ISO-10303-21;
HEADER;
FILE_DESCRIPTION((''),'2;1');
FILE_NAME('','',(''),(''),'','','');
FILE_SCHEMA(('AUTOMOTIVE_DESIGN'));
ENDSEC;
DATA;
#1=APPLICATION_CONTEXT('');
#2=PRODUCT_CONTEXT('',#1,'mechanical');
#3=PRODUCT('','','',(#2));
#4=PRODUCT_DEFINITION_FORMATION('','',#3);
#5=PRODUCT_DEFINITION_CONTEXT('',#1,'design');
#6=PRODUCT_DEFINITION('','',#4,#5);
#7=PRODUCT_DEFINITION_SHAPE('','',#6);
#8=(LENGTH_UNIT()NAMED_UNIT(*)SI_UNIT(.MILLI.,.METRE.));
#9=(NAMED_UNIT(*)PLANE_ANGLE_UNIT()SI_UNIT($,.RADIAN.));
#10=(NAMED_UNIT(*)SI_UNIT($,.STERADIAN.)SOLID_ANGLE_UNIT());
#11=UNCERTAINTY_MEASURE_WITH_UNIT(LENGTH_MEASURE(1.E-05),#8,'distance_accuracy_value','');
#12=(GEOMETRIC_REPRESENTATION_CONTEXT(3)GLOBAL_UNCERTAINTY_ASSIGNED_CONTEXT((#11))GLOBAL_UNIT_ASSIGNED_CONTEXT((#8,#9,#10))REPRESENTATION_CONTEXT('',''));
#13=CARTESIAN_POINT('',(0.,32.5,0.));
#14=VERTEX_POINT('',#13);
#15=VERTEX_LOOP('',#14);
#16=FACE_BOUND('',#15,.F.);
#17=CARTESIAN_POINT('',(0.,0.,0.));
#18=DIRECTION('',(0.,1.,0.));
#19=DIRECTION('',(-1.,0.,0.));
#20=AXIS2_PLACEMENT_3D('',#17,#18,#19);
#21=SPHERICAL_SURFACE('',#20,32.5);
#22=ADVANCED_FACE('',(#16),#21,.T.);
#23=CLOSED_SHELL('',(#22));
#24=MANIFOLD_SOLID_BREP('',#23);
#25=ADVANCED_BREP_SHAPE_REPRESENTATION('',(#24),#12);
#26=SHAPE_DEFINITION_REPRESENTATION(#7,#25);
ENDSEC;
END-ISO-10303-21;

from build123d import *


with BuildPart() as part:
    # Sketch1 → Revolve1 (revolve)
    with BuildSketch(Plane.XY):
        with BuildLine():
            Line((0, 32.5), (0, -32.5))
            ThreePointArc((0, -32.5), (-32.5, 0), (0, 32.5))
        make_face()
    revolve(axis=Axis((0, 32.5, 0), (0, -1, 0)))


solid = part.part
